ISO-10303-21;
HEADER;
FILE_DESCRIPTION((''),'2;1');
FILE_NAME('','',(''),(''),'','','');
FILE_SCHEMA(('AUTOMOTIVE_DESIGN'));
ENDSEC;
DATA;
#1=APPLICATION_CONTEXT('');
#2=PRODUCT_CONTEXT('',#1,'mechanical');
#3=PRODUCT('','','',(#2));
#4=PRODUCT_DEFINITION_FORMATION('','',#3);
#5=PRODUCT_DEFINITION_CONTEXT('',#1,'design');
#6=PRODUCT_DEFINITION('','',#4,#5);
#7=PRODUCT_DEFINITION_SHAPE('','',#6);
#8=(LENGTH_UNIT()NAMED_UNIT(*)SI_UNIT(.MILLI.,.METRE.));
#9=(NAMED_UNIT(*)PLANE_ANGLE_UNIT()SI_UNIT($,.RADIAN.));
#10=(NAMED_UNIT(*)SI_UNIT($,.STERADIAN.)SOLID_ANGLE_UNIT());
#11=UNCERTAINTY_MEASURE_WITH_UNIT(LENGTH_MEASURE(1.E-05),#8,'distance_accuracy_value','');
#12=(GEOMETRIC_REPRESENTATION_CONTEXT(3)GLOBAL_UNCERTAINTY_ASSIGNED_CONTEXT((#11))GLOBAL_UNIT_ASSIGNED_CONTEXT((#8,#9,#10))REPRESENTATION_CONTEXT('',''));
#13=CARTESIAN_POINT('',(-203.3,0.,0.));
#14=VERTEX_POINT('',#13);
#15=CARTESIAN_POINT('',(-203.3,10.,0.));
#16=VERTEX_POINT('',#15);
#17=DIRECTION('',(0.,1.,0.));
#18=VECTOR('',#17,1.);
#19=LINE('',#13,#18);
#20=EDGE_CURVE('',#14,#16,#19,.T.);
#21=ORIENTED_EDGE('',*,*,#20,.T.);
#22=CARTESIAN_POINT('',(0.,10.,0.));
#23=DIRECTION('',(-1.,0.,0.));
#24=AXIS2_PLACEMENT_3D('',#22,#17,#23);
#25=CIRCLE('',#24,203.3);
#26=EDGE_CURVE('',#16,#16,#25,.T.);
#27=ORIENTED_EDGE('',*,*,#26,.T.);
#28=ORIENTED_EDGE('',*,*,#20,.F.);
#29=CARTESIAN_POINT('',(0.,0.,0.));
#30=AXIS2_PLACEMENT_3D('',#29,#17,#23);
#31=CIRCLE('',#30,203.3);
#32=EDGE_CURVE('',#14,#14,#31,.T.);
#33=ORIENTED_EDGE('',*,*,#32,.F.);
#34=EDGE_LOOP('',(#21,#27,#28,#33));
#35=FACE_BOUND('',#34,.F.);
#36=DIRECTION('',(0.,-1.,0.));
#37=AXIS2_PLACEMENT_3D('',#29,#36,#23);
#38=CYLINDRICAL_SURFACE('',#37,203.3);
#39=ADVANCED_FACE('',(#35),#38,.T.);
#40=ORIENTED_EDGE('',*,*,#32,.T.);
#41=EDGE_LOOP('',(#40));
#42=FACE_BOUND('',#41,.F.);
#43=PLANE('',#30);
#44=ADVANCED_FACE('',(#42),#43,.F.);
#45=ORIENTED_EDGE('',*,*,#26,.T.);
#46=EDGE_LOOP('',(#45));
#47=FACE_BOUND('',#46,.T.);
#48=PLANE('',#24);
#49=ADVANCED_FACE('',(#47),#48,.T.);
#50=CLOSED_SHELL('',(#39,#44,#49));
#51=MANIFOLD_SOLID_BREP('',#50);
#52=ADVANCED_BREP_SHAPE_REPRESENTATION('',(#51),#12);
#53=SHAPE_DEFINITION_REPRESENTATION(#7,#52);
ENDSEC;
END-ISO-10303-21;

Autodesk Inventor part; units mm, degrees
ref_plane "YZ Plane" through (0, 0, 0) normal (1, 0, 0) x (0, 1, 0)
ref_plane "XZ Plane" through (0, 0, 0) normal (0, 1, 0) x (-1, 0, 0)
ref_plane "XY Plane" through (0, 0, 0) normal (0, 0, 1) x (1, 0, 0)
sketch "Sketch1" plane through (0, 0, 0) normal (0, 1, 0) x (-1, 0, 0)
  circle A0 centre (0, 0) radius 203.3
  dimension "d0" = 406.6
extrude "Extrusion1" add sketch "Sketch1" along normal blind 10
properties part number "Blade_simulator"
